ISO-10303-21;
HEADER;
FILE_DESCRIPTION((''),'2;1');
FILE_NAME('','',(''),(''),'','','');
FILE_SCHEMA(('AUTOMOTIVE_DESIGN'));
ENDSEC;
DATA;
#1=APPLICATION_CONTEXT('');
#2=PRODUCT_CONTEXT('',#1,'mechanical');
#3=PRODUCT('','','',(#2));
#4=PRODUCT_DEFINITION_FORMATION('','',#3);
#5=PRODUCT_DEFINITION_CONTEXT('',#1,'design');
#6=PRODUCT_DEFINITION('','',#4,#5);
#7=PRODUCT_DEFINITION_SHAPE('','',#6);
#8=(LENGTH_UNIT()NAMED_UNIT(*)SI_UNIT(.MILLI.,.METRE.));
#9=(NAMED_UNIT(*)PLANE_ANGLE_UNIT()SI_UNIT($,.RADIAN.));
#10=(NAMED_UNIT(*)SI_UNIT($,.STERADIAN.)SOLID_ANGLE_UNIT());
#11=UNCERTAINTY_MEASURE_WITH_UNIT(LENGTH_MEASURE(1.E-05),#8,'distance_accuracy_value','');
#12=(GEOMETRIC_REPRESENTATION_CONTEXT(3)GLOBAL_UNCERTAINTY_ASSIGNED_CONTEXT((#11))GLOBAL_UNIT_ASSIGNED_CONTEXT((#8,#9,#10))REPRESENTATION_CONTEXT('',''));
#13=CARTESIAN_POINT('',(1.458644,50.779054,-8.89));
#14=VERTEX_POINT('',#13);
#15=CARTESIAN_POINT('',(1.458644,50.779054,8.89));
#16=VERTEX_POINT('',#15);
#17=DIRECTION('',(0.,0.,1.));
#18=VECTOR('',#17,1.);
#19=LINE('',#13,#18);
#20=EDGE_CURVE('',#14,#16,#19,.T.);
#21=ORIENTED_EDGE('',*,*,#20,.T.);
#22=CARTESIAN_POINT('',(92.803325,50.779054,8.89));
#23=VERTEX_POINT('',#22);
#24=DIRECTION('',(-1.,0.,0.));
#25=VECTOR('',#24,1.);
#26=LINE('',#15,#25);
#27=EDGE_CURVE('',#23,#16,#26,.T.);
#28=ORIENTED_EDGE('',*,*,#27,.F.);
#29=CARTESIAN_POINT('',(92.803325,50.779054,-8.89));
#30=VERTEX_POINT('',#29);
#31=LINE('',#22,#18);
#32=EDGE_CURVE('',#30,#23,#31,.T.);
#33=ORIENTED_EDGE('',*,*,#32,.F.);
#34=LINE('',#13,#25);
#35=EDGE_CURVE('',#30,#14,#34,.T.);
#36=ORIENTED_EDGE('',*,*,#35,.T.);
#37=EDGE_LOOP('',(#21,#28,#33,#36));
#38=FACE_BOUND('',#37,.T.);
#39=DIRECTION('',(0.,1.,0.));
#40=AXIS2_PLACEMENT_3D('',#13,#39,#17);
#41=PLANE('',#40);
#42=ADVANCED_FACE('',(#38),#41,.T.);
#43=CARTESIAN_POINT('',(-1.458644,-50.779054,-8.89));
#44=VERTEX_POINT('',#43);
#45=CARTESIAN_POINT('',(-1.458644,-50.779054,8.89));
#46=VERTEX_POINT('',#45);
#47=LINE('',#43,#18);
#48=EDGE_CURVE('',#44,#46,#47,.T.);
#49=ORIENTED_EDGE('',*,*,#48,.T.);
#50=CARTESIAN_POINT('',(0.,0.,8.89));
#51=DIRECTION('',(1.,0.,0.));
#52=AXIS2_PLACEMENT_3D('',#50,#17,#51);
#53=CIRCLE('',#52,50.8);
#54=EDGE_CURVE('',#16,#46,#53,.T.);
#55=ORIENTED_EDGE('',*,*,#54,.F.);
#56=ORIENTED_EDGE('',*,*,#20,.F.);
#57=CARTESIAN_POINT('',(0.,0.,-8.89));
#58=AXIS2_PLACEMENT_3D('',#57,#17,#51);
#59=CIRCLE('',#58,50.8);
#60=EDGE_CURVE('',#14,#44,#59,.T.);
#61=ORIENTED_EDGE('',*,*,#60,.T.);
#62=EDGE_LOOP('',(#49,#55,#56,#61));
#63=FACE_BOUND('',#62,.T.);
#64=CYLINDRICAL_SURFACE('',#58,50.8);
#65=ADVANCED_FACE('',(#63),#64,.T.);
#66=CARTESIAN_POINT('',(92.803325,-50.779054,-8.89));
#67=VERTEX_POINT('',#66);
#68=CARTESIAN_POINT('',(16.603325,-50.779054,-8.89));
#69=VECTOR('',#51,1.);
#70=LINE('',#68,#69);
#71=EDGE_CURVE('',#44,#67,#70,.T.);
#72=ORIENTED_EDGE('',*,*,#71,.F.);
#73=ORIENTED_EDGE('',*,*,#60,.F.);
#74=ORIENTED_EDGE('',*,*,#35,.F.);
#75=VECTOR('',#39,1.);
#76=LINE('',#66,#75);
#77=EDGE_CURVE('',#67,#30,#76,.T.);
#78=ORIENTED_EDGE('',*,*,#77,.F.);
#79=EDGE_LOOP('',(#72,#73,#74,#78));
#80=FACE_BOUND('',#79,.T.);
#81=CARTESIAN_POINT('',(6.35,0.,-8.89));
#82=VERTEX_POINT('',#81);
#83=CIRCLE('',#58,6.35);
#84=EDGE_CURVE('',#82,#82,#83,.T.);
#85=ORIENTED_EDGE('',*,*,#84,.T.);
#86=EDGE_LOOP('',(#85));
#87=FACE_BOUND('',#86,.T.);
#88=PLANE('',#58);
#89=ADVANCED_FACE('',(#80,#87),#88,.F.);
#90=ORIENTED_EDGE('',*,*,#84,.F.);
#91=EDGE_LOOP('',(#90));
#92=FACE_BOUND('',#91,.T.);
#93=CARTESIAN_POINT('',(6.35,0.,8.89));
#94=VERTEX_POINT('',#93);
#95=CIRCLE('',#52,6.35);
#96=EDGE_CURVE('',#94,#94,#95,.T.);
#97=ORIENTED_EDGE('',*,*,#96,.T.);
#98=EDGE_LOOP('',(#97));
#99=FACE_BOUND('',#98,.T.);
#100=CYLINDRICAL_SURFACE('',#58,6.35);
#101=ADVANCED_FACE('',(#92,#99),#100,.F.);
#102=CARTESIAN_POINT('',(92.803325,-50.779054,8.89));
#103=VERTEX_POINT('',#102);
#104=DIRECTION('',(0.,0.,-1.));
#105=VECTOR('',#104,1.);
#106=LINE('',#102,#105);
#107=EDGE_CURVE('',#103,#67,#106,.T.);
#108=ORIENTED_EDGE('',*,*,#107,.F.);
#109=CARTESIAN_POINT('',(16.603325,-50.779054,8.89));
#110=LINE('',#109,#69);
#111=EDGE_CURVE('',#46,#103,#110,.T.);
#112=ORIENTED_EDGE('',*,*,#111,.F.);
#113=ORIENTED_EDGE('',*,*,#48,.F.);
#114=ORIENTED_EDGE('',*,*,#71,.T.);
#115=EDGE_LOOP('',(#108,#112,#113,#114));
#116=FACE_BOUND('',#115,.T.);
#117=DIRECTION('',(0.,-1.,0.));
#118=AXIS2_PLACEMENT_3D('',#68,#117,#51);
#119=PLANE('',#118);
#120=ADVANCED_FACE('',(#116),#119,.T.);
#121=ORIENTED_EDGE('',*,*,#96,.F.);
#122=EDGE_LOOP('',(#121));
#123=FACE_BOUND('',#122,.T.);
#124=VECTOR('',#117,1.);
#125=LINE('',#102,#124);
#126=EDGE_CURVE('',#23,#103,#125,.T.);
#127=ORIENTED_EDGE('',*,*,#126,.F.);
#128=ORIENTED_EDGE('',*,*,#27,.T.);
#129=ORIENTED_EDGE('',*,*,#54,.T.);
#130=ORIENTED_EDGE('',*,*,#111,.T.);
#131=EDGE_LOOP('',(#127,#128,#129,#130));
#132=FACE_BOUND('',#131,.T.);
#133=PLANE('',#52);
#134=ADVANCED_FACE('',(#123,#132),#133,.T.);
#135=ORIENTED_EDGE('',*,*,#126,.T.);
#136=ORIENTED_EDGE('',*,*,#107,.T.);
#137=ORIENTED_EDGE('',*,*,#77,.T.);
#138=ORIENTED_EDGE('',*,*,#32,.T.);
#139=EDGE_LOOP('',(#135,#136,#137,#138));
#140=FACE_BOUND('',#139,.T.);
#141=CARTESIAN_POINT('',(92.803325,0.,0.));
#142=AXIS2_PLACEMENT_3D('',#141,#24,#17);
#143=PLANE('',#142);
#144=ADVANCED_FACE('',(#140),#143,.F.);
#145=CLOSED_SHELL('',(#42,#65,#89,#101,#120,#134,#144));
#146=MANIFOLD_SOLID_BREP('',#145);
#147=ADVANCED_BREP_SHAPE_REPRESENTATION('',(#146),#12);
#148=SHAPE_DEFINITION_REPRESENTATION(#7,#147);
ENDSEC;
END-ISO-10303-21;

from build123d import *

# Parameters (mm, degrees)
BOSS_EXTRUDE1_DEPTH      = 8.89
BOSS_EXTRUDE1_DEPTH_BACK = 8.89
SKETCH1_R                = 6.35
SKETCH2_W                = 17.78
SKETCH2_H                = 101.558108624
BOSS_EXTRUDE2_DEPTH      = 76.2


with BuildPart() as part:
    # Sketch1 → Boss-Extrude1 (new, two sides: drawn at the far end of the back side and taken through both)
    with BuildSketch(Plane.XY.offset(-BOSS_EXTRUDE1_DEPTH_BACK)):
        with BuildLine():
            Line((1.458644289, 50.779054312), (16.603324728, 50.779054312))
            Line((16.603324728, 50.779054312), (16.603324728, -50.779054312))
            Line((16.603324728, -50.779054312), (-1.458644289, -50.779054312))
            ThreePointArc((-1.458644289, -50.779054312), (-50.779054312, 1.458644289), (1.458644289, 50.779054312))
        make_face()
        Circle(SKETCH1_R, mode=Mode.SUBTRACT)
    extrude(amount=BOSS_EXTRUDE1_DEPTH + BOSS_EXTRUDE1_DEPTH_BACK)

    # Sketch2 → Boss-Extrude2 (add)
    with BuildSketch(Plane(origin=(16.603324728, 0, 0), x_dir=(0, 0, -1), z_dir=(1, 0, 0))):
        Rectangle(SKETCH2_W, SKETCH2_H)
    extrude(amount=BOSS_EXTRUDE2_DEPTH)


solid = part.part
